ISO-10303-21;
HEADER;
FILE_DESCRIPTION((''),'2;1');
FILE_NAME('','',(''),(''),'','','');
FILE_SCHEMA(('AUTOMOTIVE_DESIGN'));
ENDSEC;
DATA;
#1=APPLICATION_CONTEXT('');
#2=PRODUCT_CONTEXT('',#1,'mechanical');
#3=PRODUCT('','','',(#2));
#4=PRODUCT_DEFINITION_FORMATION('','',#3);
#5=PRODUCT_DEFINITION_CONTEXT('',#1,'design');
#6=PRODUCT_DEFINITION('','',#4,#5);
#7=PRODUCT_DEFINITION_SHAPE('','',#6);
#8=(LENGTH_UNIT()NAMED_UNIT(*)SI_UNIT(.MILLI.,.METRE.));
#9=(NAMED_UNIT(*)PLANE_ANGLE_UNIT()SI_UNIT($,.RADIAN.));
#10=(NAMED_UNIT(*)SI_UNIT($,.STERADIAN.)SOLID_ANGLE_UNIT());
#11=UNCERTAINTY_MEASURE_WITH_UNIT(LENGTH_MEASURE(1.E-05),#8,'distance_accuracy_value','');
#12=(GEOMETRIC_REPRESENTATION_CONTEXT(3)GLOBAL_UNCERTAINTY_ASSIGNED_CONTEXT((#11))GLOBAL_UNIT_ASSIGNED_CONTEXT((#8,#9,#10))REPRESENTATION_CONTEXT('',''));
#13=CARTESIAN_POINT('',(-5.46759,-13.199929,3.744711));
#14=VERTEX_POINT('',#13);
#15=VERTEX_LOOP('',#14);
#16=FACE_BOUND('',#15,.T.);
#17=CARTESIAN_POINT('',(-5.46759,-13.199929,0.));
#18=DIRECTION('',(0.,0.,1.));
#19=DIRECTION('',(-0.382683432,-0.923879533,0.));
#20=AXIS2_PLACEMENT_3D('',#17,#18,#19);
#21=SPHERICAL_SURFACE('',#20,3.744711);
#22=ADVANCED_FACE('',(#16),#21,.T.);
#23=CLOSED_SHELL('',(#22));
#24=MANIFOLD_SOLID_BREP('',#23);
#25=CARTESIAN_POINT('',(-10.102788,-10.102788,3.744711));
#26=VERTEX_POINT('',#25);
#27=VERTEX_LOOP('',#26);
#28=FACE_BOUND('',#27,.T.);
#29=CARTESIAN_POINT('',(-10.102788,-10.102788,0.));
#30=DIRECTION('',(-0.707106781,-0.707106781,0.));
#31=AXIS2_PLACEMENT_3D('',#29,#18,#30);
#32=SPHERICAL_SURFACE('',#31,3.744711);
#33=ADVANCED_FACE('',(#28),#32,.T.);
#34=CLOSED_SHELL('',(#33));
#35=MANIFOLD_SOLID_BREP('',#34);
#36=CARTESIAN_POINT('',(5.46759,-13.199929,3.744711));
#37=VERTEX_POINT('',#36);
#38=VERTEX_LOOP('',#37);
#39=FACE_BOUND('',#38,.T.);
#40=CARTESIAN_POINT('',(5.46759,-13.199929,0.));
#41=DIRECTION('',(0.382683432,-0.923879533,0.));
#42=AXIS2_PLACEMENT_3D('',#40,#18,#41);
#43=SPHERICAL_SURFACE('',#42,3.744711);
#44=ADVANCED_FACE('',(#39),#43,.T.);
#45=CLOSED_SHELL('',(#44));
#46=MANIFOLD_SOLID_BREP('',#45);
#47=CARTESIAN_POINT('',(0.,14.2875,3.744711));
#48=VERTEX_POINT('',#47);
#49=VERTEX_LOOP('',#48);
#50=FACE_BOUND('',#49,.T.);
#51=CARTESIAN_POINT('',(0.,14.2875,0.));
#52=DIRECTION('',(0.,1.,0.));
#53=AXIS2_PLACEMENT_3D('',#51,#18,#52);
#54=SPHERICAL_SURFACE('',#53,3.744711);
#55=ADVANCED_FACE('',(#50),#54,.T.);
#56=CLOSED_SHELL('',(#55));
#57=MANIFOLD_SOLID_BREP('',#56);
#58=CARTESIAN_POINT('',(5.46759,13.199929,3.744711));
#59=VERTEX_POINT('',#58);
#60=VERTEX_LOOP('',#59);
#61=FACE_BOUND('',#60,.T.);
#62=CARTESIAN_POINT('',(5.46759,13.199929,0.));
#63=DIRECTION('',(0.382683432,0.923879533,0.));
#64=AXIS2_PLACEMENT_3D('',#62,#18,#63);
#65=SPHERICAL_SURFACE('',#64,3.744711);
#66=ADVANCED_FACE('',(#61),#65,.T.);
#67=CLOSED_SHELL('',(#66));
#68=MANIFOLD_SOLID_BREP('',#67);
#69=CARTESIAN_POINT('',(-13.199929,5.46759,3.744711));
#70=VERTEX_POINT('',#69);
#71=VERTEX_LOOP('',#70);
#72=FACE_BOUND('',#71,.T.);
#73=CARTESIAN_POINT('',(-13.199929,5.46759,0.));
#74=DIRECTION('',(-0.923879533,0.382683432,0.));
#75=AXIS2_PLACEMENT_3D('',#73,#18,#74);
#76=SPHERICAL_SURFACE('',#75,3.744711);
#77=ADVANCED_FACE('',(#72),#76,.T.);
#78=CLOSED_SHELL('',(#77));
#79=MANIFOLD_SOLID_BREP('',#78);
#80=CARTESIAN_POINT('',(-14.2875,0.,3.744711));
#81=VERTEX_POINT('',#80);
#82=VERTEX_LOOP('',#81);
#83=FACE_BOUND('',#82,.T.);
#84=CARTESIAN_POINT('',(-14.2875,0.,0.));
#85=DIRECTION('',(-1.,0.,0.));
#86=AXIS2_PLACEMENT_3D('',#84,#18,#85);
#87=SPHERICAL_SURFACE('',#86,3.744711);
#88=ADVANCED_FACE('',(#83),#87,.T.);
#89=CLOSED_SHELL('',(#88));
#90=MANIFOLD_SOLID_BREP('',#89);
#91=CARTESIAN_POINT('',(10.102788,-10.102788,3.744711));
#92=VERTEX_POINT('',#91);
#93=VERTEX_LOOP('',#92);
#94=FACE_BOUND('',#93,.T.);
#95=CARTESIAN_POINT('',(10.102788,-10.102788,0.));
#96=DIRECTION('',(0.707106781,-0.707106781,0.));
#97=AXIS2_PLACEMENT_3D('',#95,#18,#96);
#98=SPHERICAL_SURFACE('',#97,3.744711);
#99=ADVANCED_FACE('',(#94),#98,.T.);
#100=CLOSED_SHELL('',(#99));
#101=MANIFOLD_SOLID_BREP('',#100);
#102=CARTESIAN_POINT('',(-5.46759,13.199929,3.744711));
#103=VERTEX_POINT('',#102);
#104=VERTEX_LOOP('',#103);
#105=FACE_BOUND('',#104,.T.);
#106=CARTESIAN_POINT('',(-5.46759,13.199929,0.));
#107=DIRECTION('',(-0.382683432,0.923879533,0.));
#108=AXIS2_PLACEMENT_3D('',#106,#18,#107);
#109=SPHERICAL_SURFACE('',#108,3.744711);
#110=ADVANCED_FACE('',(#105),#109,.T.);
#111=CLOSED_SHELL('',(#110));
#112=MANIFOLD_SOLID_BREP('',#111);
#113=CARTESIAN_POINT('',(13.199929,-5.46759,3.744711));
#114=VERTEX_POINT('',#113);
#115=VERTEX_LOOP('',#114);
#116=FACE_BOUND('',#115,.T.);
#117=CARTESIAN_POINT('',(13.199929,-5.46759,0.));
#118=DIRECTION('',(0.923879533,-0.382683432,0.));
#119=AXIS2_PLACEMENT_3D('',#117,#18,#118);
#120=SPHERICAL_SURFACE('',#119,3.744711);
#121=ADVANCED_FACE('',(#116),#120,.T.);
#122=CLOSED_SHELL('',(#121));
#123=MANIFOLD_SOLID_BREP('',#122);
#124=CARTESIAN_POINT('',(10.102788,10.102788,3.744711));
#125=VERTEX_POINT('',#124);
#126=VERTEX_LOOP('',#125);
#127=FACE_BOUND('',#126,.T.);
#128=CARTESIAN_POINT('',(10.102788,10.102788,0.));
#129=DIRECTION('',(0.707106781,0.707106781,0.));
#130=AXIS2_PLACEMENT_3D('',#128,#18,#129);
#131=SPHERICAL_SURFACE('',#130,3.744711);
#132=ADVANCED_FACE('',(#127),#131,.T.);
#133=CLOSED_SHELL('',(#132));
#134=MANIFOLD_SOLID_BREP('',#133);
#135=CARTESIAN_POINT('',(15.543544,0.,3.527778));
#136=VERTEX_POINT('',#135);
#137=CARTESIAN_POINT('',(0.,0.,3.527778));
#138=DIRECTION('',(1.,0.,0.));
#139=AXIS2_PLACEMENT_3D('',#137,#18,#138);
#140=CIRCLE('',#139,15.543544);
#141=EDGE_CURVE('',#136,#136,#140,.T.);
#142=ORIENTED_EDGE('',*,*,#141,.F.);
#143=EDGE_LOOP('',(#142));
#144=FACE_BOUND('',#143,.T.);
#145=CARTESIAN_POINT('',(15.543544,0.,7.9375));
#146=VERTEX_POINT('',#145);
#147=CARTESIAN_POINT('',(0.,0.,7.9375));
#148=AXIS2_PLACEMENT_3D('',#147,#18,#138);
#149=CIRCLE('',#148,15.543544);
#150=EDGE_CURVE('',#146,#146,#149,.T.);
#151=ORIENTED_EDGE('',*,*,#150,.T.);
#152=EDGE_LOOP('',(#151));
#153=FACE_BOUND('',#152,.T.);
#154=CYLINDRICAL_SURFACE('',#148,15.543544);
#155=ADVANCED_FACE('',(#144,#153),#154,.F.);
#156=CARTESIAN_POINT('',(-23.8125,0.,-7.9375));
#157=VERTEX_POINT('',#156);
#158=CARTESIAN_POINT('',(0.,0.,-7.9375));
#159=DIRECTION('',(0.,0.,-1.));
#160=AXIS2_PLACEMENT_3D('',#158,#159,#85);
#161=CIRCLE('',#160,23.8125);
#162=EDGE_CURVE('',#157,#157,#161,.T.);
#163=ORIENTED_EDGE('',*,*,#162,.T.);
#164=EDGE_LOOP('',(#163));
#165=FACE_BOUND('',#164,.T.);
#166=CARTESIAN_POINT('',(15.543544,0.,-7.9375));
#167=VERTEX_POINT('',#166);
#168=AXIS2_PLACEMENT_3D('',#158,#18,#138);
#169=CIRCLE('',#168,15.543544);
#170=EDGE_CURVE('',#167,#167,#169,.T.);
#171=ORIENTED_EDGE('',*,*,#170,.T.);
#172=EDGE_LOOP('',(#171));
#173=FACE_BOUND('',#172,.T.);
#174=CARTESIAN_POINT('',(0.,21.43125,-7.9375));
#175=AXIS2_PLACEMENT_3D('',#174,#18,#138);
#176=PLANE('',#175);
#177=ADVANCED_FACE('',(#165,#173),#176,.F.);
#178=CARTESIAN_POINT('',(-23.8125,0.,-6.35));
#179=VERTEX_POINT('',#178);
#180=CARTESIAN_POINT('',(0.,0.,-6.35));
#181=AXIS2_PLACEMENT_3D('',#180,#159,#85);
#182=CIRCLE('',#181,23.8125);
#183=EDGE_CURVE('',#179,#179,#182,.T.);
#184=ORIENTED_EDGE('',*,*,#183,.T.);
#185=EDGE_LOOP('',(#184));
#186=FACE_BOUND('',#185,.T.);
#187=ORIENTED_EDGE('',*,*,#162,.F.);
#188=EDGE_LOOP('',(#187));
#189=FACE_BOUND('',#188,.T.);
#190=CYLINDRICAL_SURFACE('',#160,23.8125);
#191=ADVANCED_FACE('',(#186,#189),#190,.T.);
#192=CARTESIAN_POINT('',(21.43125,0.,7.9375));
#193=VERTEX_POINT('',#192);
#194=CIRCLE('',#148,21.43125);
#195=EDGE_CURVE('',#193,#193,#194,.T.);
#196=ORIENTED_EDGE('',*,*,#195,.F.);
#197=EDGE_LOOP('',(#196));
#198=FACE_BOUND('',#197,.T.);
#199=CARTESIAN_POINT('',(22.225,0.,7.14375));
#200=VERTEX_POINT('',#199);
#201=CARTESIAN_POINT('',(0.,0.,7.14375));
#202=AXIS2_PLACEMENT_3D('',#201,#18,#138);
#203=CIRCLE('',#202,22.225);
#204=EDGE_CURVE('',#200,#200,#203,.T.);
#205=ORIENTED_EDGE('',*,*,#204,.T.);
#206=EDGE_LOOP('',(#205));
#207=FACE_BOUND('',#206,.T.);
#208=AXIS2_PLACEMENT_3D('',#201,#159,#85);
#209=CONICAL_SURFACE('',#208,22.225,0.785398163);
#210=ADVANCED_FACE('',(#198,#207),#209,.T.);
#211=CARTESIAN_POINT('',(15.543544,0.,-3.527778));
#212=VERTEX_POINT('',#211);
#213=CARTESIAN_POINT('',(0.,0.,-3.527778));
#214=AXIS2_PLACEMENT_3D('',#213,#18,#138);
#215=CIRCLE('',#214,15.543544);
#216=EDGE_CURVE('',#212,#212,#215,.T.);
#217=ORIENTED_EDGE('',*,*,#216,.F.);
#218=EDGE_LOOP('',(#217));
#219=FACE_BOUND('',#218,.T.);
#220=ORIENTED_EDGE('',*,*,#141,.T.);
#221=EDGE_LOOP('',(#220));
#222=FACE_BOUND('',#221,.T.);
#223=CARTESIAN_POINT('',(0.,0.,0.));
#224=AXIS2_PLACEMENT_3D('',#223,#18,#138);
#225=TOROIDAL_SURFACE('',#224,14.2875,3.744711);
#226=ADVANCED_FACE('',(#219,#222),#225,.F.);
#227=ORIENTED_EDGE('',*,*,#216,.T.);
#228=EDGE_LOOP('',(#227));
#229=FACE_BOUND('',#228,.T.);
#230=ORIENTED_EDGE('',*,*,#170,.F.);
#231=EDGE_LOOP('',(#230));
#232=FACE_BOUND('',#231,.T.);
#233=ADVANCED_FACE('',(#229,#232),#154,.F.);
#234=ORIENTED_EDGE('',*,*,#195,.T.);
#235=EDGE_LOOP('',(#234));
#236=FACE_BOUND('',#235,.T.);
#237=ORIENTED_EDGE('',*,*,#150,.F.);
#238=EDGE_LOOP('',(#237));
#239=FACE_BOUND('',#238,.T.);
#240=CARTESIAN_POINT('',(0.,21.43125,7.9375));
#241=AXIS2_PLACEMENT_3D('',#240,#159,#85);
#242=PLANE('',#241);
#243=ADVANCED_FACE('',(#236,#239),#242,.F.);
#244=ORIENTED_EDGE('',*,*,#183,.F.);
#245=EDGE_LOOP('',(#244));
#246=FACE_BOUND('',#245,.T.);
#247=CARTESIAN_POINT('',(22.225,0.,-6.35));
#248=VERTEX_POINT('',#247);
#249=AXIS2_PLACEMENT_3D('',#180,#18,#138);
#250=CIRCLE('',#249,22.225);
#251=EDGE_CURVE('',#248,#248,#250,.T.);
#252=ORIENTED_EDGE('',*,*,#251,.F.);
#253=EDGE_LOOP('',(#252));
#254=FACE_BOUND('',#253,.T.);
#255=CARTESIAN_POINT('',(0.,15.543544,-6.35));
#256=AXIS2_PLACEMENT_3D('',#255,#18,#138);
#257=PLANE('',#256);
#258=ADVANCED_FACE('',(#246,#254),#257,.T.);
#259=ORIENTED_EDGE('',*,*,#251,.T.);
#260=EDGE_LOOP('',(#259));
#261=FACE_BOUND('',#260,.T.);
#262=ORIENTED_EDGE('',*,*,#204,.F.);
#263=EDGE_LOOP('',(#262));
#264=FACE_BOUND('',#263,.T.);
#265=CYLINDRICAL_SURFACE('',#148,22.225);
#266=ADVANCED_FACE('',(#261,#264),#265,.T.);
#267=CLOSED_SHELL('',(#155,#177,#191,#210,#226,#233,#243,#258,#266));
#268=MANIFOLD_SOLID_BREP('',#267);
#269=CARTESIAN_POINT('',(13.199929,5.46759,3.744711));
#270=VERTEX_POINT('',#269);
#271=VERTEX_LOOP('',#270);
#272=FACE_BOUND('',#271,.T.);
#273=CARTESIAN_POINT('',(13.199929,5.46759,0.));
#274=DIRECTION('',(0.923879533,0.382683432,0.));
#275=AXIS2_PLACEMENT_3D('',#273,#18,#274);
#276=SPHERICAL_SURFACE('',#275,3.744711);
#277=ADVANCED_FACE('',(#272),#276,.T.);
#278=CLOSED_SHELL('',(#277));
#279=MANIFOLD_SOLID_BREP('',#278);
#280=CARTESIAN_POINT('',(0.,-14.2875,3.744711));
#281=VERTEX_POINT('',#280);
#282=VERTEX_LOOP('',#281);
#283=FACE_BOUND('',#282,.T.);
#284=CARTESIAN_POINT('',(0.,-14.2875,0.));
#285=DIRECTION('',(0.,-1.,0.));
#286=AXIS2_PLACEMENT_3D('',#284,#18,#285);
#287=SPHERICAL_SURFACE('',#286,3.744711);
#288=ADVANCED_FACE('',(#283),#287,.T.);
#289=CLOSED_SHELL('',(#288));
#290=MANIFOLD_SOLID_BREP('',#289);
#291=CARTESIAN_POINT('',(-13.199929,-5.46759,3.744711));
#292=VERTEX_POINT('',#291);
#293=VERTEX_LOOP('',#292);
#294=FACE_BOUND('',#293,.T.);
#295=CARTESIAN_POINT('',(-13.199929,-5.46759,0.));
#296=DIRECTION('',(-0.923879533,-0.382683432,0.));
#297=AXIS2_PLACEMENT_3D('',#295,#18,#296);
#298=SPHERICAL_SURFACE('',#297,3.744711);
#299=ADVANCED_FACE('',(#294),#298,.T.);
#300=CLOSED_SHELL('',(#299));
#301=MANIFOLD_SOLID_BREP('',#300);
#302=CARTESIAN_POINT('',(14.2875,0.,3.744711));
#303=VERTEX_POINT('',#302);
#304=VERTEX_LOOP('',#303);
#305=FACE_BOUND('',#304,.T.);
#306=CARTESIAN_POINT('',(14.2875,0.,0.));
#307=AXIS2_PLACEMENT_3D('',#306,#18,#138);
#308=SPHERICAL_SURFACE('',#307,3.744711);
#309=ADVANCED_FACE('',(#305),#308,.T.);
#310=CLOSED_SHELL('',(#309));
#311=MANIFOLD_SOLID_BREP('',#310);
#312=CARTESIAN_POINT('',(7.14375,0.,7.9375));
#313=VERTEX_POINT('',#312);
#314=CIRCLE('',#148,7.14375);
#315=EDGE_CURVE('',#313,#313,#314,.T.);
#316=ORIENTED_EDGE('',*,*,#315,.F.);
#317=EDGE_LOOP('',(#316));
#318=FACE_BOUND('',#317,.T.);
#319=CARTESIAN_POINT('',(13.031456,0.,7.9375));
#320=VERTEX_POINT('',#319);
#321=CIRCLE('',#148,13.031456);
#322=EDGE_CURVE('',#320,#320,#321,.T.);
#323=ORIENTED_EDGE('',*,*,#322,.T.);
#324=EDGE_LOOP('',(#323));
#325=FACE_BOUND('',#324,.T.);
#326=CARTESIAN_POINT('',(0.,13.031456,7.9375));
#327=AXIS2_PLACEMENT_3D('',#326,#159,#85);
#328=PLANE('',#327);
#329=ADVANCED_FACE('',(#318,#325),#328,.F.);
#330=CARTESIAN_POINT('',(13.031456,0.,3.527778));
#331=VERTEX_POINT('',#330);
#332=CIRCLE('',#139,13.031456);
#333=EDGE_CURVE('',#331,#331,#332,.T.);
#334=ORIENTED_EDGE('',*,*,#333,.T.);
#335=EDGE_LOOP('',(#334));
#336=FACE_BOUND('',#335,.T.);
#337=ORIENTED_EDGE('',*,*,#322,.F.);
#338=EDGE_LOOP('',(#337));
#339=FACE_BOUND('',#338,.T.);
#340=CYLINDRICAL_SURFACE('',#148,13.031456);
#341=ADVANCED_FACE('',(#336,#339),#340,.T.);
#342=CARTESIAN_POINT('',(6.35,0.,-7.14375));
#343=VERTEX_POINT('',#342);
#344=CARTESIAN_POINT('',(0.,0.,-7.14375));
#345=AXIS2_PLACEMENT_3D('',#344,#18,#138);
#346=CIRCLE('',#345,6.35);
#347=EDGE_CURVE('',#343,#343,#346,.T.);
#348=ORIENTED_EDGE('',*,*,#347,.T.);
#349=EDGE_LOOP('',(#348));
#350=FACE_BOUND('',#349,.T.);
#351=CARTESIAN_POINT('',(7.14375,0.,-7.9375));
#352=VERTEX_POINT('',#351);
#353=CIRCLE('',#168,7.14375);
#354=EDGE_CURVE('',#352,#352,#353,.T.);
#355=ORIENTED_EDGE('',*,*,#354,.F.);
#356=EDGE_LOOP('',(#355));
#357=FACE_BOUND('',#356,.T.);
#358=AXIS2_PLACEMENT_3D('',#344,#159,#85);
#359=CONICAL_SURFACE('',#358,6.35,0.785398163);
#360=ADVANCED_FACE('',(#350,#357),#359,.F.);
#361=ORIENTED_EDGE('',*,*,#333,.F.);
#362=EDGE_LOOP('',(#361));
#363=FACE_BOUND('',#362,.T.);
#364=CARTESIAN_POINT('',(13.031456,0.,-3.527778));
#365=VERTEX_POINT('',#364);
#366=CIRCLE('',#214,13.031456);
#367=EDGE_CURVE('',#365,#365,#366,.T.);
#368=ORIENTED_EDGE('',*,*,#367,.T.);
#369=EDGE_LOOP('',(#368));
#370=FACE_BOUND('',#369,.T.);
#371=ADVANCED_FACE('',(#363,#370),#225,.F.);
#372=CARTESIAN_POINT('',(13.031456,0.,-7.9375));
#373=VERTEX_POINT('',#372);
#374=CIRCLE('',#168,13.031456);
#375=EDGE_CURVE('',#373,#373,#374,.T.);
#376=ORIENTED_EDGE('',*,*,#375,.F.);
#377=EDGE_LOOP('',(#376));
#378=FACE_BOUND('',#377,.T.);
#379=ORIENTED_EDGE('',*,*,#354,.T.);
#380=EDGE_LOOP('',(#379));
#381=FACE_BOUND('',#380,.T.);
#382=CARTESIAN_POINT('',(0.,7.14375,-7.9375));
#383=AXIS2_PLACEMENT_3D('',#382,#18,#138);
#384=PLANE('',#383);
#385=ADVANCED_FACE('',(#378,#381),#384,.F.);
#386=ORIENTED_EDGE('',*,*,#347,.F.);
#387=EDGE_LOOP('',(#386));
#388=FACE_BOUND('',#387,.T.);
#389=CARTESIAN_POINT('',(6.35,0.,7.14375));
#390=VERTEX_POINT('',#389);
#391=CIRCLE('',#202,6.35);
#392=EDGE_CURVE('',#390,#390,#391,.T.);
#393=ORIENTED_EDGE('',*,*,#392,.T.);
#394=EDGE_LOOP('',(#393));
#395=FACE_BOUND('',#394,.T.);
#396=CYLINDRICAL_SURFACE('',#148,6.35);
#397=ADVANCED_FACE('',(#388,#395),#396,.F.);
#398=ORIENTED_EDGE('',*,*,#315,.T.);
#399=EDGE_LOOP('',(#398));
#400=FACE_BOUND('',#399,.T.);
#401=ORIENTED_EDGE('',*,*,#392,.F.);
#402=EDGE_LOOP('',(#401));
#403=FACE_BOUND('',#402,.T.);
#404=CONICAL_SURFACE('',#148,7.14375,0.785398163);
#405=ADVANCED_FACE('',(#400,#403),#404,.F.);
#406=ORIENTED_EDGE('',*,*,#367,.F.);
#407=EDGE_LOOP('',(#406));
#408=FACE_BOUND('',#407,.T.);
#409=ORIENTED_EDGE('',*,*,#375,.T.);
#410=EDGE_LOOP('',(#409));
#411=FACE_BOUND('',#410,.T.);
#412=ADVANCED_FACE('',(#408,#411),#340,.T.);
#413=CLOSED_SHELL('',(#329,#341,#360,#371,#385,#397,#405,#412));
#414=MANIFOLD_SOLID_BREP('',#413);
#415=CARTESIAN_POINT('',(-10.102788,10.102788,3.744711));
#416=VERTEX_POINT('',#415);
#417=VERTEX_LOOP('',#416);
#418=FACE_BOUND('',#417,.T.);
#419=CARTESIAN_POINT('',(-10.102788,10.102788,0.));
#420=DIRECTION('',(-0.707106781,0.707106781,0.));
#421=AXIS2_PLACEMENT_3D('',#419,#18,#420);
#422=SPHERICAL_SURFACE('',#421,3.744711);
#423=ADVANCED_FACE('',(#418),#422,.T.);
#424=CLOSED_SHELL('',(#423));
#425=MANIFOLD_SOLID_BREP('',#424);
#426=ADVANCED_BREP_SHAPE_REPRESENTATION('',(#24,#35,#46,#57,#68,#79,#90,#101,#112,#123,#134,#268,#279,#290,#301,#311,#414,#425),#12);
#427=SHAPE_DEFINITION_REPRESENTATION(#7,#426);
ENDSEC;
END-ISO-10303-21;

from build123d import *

# Parameters (mm, degrees)
CIRPATTERN1_COUNT = 16
SKETCH6_W         = 1.5875
SKETCH6_H         = 8.268956044


with BuildPart() as part:
    # Sketch1 → Revolve1 (revolve)
    with BuildSketch(Plane(origin=(0, 0, 0), x_dir=(0, 0, -1), z_dir=(1, 0, 0))):
        with BuildLine():
            Line((7.14375, 22.225), (-7.14375, 22.225))
            Line((-7.14375, 22.225), (-7.9375, 21.43125))
            Line((-7.9375, 21.43125), (-7.9375, 15.543543956))
            Line((-7.9375, 15.543543956), (-3.527777778, 15.543543956))
            ThreePointArc((-3.527777778, 15.543543956), (0, 18.032211266), (3.527777778, 15.543543956))
            Line((3.527777778, 15.543543956), (7.9375, 15.543543956))
            Line((7.9375, 15.543543956), (7.9375, 21.43125))
            Line((7.9375, 21.43125), (7.14375, 22.225))
        make_face()
    revolve(axis=Axis((0, 0, 7.9375), (0, 0, -1)))

    # Sketch6 → Revolve6 (revolve)
    with BuildSketch(Plane(origin=(0, 0, 0), x_dir=(0, 0, -1), z_dir=(1, 0, 0))):
        with Locations((7.14375, 19.678021978)):
            Rectangle(SKETCH6_W, SKETCH6_H)
    revolve(axis=Axis((0, 0, -7.9375), (0, 0, 1)))


with BuildPart() as body_2:
    # Sketch3 → Revolve3 (revolve)
    with BuildSketch(Plane(origin=(0, 0, 0), x_dir=(0, 0, -1), z_dir=(1, 0, 0))):
        with BuildLine():
            Line((-7.9375, 13.031456044), (-3.527777778, 13.031456044))
            ThreePointArc((-3.527777778, 13.031456044), (0, 10.542788734), (3.527777778, 13.031456044))
            Line((3.527777778, 13.031456044), (7.9375, 13.031456044))
            Line((7.9375, 13.031456044), (7.9375, 7.14375))
            Line((7.9375, 7.14375), (7.14375, 6.35))
            Line((7.14375, 6.35), (-7.14375, 6.35))
            Line((-7.14375, 6.35), (-7.9375, 7.14375))
            Line((-7.9375, 7.14375), (-7.9375, 13.031456044))
        make_face()
    revolve(axis=Axis((0, 0, 7.9375), (0, 0, -1)))


with BuildPart() as body_3:
    # Sketch4 → Revolve4 (revolve)
    with BuildSketch(Plane(origin=(0, 0, 0), x_dir=(0, 0, -1), z_dir=(1, 0, 0))):
        with BuildLine():
            Line((-3.744711266, 14.2875), (3.744711266, 14.2875))
            ThreePointArc((3.744711266, 14.2875), (0, 18.032211266), (-3.744711266, 14.2875))
        make_face()
    revolve(axis=Axis((0, 14.2875, 3.744711266), (0, 0, -1)))


with BuildPart() as cirpattern1_1:
    # CirPattern1: pattern copy
    add(body_3.part.rotate(Axis((0, 0, -7.9375), (0, 0, 1)), 1 * 360 / CIRPATTERN1_COUNT))


with BuildPart() as cirpattern1_2:
    # CirPattern1: pattern copy
    add(body_3.part.rotate(Axis((0, 0, -7.9375), (0, 0, 1)), 2 * 360 / CIRPATTERN1_COUNT))


with BuildPart() as cirpattern1_3:
    # CirPattern1: pattern copy
    add(body_3.part.rotate(Axis((0, 0, -7.9375), (0, 0, 1)), 3 * 360 / CIRPATTERN1_COUNT))


with BuildPart() as cirpattern1_4:
    # CirPattern1: pattern copy
    add(body_3.part.rotate(Axis((0, 0, -7.9375), (0, 0, 1)), 4 * 360 / CIRPATTERN1_COUNT))


with BuildPart() as cirpattern1_5:
    # CirPattern1: pattern copy
    add(body_3.part.rotate(Axis((0, 0, -7.9375), (0, 0, 1)), 5 * 360 / CIRPATTERN1_COUNT))


with BuildPart() as cirpattern1_6:
    # CirPattern1: pattern copy
    add(body_3.part.rotate(Axis((0, 0, -7.9375), (0, 0, 1)), 6 * 360 / CIRPATTERN1_COUNT))


with BuildPart() as cirpattern1_7:
    # CirPattern1: pattern copy
    add(body_3.part.rotate(Axis((0, 0, -7.9375), (0, 0, 1)), 7 * 360 / CIRPATTERN1_COUNT))


with BuildPart() as cirpattern1_8:
    # CirPattern1: pattern copy
    add(body_3.part.rotate(Axis((0, 0, -7.9375), (0, 0, 1)), 8 * 360 / CIRPATTERN1_COUNT))


with BuildPart() as cirpattern1_9:
    # CirPattern1: pattern copy
    add(body_3.part.rotate(Axis((0, 0, -7.9375), (0, 0, 1)), 9 * 360 / CIRPATTERN1_COUNT))


with BuildPart() as cirpattern1_10:
    # CirPattern1: pattern copy
    add(body_3.part.rotate(Axis((0, 0, -7.9375), (0, 0, 1)), 10 * 360 / CIRPATTERN1_COUNT))


with BuildPart() as cirpattern1_11:
    # CirPattern1: pattern copy
    add(body_3.part.rotate(Axis((0, 0, -7.9375), (0, 0, 1)), 11 * 360 / CIRPATTERN1_COUNT))


with BuildPart() as cirpattern1_12:
    # CirPattern1: pattern copy
    add(body_3.part.rotate(Axis((0, 0, -7.9375), (0, 0, 1)), 12 * 360 / CIRPATTERN1_COUNT))


with BuildPart() as cirpattern1_13:
    # CirPattern1: pattern copy
    add(body_3.part.rotate(Axis((0, 0, -7.9375), (0, 0, 1)), 13 * 360 / CIRPATTERN1_COUNT))


with BuildPart() as cirpattern1_14:
    # CirPattern1: pattern copy
    add(body_3.part.rotate(Axis((0, 0, -7.9375), (0, 0, 1)), 14 * 360 / CIRPATTERN1_COUNT))


with BuildPart() as cirpattern1_15:
    # CirPattern1: pattern copy
    add(body_3.part.rotate(Axis((0, 0, -7.9375), (0, 0, 1)), 15 * 360 / CIRPATTERN1_COUNT))


solid = Compound([part.part, body_2.part, body_3.part, cirpattern1_1.part, cirpattern1_2.part, cirpattern1_3.part, cirpattern1_4.part, cirpattern1_5.part, cirpattern1_6.part, cirpattern1_7.part, cirpattern1_8.part, cirpattern1_9.part, cirpattern1_10.part, cirpattern1_11.part, cirpattern1_12.part, cirpattern1_13.part, cirpattern1_14.part, cirpattern1_15.part])
